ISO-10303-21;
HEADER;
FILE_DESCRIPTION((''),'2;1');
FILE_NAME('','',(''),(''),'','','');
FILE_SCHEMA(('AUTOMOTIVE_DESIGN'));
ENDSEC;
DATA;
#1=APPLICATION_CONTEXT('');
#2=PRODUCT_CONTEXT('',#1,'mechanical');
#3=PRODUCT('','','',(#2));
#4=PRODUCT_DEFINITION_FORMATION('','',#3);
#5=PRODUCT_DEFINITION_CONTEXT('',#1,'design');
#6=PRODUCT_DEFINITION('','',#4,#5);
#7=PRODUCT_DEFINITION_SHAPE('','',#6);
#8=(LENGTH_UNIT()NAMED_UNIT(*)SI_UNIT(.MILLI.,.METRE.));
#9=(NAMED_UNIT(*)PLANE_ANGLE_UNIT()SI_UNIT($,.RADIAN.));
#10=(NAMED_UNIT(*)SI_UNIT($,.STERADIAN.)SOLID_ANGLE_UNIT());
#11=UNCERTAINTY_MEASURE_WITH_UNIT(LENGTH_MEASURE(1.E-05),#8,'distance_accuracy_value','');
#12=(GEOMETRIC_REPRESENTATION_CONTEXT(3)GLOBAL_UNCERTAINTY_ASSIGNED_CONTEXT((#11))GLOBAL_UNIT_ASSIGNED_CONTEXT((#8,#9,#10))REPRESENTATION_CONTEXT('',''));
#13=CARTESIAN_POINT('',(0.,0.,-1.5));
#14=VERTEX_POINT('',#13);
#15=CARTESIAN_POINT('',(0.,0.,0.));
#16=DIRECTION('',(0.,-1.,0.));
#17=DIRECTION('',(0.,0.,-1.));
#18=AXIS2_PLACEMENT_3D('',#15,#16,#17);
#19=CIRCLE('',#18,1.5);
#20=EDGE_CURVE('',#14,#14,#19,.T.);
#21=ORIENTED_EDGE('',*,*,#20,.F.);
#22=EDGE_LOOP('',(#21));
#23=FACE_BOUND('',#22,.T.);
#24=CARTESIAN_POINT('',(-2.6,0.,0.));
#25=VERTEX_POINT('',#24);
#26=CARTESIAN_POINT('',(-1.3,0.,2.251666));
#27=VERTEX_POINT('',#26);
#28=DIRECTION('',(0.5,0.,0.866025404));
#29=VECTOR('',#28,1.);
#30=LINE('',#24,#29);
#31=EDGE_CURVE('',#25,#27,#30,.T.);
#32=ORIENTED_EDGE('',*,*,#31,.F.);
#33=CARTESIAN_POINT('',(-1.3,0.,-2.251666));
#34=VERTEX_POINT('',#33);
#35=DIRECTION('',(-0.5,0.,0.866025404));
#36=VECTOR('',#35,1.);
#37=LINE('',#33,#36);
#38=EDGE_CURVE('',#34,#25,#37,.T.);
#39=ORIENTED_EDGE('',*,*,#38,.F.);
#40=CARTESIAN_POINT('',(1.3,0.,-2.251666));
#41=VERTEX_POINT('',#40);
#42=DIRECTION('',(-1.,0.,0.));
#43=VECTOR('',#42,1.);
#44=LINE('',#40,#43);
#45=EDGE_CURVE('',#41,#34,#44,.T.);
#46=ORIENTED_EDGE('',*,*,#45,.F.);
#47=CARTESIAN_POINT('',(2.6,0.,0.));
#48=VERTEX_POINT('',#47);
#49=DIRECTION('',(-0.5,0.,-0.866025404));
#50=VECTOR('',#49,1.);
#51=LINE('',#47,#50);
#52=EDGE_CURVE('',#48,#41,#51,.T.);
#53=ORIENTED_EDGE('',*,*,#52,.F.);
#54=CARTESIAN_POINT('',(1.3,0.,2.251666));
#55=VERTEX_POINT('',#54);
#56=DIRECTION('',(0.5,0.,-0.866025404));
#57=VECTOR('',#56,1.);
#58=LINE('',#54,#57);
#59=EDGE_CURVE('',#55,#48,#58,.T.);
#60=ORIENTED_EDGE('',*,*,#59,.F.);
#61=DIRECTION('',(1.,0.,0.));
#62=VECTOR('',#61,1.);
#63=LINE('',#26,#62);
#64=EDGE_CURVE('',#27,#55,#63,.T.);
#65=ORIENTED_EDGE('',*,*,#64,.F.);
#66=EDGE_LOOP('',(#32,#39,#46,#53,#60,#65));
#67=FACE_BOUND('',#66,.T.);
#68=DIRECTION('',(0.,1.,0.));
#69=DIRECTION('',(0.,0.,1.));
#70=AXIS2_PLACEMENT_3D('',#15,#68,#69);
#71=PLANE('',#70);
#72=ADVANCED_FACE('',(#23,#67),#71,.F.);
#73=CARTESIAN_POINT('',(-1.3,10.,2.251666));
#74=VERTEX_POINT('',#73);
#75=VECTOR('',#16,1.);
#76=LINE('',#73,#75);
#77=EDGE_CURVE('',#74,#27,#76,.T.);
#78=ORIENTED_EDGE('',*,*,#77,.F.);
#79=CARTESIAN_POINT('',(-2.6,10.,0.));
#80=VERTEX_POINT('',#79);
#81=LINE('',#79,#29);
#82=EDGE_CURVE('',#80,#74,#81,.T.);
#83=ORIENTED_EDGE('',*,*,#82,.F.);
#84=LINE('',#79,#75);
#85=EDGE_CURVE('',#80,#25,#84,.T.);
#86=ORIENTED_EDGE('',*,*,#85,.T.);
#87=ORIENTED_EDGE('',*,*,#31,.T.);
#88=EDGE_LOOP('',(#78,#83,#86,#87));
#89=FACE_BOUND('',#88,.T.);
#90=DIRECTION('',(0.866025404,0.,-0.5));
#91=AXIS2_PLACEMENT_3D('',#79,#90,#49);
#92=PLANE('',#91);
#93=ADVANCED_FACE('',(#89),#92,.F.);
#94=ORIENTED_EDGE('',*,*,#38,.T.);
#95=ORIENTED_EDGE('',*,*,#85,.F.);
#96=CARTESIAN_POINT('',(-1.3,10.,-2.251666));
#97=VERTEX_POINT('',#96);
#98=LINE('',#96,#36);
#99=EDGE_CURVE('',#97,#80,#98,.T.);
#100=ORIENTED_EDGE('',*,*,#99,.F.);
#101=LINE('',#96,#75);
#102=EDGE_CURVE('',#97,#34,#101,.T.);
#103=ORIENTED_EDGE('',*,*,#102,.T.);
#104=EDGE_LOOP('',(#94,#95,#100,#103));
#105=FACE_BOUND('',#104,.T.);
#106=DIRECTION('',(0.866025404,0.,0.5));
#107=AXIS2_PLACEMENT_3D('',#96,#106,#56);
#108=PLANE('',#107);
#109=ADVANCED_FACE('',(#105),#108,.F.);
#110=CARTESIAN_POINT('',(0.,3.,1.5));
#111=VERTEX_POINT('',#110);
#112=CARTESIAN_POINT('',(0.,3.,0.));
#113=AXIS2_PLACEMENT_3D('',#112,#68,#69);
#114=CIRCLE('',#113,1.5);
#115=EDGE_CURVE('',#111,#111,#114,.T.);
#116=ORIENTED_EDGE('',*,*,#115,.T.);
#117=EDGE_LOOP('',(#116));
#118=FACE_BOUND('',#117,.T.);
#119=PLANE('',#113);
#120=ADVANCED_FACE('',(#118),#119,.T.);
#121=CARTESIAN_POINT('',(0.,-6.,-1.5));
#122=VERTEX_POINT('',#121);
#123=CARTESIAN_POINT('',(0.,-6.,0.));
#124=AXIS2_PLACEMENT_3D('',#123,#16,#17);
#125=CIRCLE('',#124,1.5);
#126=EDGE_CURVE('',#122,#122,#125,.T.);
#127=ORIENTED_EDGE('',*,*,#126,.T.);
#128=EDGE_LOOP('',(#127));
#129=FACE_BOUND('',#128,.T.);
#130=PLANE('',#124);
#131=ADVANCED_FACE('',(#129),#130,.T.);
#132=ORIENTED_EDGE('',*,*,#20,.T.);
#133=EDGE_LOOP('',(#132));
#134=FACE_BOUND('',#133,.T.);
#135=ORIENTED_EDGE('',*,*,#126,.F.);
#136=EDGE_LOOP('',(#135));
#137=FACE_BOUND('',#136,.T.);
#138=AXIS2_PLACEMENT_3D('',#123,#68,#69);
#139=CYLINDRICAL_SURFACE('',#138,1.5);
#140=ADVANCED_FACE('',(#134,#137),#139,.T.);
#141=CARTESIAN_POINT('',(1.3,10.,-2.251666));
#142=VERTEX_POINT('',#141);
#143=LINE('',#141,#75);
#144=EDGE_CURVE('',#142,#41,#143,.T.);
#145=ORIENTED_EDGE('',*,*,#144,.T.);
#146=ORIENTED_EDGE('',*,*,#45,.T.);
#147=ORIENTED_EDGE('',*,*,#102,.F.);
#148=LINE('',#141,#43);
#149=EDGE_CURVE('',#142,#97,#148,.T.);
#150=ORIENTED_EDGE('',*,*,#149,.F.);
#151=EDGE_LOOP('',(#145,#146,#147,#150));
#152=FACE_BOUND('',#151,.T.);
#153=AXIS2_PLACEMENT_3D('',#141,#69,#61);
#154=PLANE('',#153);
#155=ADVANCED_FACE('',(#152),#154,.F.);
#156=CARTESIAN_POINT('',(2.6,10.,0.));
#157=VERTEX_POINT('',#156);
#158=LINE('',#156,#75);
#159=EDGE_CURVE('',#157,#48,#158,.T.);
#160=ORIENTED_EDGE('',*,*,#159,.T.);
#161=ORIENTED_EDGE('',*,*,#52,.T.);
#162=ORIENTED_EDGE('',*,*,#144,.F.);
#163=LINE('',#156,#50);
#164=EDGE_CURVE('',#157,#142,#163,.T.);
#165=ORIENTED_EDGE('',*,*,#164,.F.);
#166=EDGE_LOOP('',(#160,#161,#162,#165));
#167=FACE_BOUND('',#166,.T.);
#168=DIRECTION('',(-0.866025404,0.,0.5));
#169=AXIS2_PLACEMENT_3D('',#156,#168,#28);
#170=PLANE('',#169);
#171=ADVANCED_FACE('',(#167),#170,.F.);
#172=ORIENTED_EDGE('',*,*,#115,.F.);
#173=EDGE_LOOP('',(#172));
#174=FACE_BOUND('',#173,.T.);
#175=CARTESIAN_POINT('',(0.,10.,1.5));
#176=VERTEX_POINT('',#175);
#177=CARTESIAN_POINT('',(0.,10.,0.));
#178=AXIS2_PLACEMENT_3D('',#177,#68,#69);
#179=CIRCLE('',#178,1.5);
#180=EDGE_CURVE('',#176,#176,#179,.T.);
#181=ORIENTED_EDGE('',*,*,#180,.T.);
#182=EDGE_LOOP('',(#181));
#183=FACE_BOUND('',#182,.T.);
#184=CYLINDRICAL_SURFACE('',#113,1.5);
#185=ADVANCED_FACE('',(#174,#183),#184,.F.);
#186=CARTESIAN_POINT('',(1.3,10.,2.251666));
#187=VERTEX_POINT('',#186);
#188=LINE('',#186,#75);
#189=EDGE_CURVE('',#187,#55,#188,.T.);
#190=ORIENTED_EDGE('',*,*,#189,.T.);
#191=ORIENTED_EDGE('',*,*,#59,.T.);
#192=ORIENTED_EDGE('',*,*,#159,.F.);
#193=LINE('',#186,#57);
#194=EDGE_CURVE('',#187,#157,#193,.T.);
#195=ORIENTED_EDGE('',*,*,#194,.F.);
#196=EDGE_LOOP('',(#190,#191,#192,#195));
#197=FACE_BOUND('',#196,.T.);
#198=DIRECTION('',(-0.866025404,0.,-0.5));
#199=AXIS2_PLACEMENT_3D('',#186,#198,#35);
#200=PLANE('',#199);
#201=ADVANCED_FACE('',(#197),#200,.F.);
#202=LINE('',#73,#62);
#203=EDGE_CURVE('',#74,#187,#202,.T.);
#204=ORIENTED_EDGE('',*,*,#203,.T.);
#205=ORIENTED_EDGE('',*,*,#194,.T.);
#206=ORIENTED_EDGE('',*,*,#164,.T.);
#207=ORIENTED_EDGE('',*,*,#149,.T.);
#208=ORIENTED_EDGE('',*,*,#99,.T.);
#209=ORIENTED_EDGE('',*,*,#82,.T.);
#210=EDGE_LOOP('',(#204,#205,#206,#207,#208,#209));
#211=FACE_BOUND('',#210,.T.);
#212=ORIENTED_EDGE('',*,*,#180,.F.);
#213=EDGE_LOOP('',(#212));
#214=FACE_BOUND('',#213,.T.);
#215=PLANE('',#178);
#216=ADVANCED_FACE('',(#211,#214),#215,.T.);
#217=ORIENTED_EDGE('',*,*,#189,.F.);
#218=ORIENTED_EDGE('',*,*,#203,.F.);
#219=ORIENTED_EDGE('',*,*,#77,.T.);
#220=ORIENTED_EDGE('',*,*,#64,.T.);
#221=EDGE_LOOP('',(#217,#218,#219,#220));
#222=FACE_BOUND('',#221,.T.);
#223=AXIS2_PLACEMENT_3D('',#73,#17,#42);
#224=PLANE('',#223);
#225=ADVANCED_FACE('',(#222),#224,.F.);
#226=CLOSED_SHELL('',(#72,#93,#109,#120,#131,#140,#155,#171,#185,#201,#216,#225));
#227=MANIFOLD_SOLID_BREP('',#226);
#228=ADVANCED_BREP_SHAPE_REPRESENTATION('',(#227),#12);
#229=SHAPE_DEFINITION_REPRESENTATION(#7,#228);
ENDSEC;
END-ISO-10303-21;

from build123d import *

# Parameters (mm, degrees)
EXTRUDE_2_DEPTH     = 10
SKETCH_2_R          = 1.5
CUT_EXTRUDE_1_DEPTH = 7
SKETCH_3_R          = 1.5
EXTRUDE_3_DEPTH     = 6


with BuildPart() as part:
    # 草图1 → 凸台-拉伸2 (new body)
    with BuildSketch(Plane(origin=(0, 0, 0), x_dir=(1, 0, 0), z_dir=(0, 1, 0))):
        Polygon((2.6, 0), (1.3, 2.25166605), (-1.3, 2.25166605), (-2.6, 0), (-1.3, -2.25166605), (1.3, -2.25166605), align=None)
    extrude(amount=EXTRUDE_2_DEPTH)

    # 草图2 → 切除-拉伸1 (cut)
    with BuildSketch(Plane(origin=(0, 10, 0), x_dir=(1, 0, 0), z_dir=(0, 1, 0))):
        with Locations(Location((0, 0, 0), (0, 0, 270))):
            Circle(SKETCH_2_R)
    extrude(amount=-CUT_EXTRUDE_1_DEPTH, mode=Mode.SUBTRACT)

    # 草图3 → 凸台-拉伸3 (add)
    with BuildSketch(Plane.XZ):
        with Locations(Location((0, 0, 0), (0, 0, 90))):
            Circle(SKETCH_3_R)
    extrude(amount=EXTRUDE_3_DEPTH)


solid = part.part
